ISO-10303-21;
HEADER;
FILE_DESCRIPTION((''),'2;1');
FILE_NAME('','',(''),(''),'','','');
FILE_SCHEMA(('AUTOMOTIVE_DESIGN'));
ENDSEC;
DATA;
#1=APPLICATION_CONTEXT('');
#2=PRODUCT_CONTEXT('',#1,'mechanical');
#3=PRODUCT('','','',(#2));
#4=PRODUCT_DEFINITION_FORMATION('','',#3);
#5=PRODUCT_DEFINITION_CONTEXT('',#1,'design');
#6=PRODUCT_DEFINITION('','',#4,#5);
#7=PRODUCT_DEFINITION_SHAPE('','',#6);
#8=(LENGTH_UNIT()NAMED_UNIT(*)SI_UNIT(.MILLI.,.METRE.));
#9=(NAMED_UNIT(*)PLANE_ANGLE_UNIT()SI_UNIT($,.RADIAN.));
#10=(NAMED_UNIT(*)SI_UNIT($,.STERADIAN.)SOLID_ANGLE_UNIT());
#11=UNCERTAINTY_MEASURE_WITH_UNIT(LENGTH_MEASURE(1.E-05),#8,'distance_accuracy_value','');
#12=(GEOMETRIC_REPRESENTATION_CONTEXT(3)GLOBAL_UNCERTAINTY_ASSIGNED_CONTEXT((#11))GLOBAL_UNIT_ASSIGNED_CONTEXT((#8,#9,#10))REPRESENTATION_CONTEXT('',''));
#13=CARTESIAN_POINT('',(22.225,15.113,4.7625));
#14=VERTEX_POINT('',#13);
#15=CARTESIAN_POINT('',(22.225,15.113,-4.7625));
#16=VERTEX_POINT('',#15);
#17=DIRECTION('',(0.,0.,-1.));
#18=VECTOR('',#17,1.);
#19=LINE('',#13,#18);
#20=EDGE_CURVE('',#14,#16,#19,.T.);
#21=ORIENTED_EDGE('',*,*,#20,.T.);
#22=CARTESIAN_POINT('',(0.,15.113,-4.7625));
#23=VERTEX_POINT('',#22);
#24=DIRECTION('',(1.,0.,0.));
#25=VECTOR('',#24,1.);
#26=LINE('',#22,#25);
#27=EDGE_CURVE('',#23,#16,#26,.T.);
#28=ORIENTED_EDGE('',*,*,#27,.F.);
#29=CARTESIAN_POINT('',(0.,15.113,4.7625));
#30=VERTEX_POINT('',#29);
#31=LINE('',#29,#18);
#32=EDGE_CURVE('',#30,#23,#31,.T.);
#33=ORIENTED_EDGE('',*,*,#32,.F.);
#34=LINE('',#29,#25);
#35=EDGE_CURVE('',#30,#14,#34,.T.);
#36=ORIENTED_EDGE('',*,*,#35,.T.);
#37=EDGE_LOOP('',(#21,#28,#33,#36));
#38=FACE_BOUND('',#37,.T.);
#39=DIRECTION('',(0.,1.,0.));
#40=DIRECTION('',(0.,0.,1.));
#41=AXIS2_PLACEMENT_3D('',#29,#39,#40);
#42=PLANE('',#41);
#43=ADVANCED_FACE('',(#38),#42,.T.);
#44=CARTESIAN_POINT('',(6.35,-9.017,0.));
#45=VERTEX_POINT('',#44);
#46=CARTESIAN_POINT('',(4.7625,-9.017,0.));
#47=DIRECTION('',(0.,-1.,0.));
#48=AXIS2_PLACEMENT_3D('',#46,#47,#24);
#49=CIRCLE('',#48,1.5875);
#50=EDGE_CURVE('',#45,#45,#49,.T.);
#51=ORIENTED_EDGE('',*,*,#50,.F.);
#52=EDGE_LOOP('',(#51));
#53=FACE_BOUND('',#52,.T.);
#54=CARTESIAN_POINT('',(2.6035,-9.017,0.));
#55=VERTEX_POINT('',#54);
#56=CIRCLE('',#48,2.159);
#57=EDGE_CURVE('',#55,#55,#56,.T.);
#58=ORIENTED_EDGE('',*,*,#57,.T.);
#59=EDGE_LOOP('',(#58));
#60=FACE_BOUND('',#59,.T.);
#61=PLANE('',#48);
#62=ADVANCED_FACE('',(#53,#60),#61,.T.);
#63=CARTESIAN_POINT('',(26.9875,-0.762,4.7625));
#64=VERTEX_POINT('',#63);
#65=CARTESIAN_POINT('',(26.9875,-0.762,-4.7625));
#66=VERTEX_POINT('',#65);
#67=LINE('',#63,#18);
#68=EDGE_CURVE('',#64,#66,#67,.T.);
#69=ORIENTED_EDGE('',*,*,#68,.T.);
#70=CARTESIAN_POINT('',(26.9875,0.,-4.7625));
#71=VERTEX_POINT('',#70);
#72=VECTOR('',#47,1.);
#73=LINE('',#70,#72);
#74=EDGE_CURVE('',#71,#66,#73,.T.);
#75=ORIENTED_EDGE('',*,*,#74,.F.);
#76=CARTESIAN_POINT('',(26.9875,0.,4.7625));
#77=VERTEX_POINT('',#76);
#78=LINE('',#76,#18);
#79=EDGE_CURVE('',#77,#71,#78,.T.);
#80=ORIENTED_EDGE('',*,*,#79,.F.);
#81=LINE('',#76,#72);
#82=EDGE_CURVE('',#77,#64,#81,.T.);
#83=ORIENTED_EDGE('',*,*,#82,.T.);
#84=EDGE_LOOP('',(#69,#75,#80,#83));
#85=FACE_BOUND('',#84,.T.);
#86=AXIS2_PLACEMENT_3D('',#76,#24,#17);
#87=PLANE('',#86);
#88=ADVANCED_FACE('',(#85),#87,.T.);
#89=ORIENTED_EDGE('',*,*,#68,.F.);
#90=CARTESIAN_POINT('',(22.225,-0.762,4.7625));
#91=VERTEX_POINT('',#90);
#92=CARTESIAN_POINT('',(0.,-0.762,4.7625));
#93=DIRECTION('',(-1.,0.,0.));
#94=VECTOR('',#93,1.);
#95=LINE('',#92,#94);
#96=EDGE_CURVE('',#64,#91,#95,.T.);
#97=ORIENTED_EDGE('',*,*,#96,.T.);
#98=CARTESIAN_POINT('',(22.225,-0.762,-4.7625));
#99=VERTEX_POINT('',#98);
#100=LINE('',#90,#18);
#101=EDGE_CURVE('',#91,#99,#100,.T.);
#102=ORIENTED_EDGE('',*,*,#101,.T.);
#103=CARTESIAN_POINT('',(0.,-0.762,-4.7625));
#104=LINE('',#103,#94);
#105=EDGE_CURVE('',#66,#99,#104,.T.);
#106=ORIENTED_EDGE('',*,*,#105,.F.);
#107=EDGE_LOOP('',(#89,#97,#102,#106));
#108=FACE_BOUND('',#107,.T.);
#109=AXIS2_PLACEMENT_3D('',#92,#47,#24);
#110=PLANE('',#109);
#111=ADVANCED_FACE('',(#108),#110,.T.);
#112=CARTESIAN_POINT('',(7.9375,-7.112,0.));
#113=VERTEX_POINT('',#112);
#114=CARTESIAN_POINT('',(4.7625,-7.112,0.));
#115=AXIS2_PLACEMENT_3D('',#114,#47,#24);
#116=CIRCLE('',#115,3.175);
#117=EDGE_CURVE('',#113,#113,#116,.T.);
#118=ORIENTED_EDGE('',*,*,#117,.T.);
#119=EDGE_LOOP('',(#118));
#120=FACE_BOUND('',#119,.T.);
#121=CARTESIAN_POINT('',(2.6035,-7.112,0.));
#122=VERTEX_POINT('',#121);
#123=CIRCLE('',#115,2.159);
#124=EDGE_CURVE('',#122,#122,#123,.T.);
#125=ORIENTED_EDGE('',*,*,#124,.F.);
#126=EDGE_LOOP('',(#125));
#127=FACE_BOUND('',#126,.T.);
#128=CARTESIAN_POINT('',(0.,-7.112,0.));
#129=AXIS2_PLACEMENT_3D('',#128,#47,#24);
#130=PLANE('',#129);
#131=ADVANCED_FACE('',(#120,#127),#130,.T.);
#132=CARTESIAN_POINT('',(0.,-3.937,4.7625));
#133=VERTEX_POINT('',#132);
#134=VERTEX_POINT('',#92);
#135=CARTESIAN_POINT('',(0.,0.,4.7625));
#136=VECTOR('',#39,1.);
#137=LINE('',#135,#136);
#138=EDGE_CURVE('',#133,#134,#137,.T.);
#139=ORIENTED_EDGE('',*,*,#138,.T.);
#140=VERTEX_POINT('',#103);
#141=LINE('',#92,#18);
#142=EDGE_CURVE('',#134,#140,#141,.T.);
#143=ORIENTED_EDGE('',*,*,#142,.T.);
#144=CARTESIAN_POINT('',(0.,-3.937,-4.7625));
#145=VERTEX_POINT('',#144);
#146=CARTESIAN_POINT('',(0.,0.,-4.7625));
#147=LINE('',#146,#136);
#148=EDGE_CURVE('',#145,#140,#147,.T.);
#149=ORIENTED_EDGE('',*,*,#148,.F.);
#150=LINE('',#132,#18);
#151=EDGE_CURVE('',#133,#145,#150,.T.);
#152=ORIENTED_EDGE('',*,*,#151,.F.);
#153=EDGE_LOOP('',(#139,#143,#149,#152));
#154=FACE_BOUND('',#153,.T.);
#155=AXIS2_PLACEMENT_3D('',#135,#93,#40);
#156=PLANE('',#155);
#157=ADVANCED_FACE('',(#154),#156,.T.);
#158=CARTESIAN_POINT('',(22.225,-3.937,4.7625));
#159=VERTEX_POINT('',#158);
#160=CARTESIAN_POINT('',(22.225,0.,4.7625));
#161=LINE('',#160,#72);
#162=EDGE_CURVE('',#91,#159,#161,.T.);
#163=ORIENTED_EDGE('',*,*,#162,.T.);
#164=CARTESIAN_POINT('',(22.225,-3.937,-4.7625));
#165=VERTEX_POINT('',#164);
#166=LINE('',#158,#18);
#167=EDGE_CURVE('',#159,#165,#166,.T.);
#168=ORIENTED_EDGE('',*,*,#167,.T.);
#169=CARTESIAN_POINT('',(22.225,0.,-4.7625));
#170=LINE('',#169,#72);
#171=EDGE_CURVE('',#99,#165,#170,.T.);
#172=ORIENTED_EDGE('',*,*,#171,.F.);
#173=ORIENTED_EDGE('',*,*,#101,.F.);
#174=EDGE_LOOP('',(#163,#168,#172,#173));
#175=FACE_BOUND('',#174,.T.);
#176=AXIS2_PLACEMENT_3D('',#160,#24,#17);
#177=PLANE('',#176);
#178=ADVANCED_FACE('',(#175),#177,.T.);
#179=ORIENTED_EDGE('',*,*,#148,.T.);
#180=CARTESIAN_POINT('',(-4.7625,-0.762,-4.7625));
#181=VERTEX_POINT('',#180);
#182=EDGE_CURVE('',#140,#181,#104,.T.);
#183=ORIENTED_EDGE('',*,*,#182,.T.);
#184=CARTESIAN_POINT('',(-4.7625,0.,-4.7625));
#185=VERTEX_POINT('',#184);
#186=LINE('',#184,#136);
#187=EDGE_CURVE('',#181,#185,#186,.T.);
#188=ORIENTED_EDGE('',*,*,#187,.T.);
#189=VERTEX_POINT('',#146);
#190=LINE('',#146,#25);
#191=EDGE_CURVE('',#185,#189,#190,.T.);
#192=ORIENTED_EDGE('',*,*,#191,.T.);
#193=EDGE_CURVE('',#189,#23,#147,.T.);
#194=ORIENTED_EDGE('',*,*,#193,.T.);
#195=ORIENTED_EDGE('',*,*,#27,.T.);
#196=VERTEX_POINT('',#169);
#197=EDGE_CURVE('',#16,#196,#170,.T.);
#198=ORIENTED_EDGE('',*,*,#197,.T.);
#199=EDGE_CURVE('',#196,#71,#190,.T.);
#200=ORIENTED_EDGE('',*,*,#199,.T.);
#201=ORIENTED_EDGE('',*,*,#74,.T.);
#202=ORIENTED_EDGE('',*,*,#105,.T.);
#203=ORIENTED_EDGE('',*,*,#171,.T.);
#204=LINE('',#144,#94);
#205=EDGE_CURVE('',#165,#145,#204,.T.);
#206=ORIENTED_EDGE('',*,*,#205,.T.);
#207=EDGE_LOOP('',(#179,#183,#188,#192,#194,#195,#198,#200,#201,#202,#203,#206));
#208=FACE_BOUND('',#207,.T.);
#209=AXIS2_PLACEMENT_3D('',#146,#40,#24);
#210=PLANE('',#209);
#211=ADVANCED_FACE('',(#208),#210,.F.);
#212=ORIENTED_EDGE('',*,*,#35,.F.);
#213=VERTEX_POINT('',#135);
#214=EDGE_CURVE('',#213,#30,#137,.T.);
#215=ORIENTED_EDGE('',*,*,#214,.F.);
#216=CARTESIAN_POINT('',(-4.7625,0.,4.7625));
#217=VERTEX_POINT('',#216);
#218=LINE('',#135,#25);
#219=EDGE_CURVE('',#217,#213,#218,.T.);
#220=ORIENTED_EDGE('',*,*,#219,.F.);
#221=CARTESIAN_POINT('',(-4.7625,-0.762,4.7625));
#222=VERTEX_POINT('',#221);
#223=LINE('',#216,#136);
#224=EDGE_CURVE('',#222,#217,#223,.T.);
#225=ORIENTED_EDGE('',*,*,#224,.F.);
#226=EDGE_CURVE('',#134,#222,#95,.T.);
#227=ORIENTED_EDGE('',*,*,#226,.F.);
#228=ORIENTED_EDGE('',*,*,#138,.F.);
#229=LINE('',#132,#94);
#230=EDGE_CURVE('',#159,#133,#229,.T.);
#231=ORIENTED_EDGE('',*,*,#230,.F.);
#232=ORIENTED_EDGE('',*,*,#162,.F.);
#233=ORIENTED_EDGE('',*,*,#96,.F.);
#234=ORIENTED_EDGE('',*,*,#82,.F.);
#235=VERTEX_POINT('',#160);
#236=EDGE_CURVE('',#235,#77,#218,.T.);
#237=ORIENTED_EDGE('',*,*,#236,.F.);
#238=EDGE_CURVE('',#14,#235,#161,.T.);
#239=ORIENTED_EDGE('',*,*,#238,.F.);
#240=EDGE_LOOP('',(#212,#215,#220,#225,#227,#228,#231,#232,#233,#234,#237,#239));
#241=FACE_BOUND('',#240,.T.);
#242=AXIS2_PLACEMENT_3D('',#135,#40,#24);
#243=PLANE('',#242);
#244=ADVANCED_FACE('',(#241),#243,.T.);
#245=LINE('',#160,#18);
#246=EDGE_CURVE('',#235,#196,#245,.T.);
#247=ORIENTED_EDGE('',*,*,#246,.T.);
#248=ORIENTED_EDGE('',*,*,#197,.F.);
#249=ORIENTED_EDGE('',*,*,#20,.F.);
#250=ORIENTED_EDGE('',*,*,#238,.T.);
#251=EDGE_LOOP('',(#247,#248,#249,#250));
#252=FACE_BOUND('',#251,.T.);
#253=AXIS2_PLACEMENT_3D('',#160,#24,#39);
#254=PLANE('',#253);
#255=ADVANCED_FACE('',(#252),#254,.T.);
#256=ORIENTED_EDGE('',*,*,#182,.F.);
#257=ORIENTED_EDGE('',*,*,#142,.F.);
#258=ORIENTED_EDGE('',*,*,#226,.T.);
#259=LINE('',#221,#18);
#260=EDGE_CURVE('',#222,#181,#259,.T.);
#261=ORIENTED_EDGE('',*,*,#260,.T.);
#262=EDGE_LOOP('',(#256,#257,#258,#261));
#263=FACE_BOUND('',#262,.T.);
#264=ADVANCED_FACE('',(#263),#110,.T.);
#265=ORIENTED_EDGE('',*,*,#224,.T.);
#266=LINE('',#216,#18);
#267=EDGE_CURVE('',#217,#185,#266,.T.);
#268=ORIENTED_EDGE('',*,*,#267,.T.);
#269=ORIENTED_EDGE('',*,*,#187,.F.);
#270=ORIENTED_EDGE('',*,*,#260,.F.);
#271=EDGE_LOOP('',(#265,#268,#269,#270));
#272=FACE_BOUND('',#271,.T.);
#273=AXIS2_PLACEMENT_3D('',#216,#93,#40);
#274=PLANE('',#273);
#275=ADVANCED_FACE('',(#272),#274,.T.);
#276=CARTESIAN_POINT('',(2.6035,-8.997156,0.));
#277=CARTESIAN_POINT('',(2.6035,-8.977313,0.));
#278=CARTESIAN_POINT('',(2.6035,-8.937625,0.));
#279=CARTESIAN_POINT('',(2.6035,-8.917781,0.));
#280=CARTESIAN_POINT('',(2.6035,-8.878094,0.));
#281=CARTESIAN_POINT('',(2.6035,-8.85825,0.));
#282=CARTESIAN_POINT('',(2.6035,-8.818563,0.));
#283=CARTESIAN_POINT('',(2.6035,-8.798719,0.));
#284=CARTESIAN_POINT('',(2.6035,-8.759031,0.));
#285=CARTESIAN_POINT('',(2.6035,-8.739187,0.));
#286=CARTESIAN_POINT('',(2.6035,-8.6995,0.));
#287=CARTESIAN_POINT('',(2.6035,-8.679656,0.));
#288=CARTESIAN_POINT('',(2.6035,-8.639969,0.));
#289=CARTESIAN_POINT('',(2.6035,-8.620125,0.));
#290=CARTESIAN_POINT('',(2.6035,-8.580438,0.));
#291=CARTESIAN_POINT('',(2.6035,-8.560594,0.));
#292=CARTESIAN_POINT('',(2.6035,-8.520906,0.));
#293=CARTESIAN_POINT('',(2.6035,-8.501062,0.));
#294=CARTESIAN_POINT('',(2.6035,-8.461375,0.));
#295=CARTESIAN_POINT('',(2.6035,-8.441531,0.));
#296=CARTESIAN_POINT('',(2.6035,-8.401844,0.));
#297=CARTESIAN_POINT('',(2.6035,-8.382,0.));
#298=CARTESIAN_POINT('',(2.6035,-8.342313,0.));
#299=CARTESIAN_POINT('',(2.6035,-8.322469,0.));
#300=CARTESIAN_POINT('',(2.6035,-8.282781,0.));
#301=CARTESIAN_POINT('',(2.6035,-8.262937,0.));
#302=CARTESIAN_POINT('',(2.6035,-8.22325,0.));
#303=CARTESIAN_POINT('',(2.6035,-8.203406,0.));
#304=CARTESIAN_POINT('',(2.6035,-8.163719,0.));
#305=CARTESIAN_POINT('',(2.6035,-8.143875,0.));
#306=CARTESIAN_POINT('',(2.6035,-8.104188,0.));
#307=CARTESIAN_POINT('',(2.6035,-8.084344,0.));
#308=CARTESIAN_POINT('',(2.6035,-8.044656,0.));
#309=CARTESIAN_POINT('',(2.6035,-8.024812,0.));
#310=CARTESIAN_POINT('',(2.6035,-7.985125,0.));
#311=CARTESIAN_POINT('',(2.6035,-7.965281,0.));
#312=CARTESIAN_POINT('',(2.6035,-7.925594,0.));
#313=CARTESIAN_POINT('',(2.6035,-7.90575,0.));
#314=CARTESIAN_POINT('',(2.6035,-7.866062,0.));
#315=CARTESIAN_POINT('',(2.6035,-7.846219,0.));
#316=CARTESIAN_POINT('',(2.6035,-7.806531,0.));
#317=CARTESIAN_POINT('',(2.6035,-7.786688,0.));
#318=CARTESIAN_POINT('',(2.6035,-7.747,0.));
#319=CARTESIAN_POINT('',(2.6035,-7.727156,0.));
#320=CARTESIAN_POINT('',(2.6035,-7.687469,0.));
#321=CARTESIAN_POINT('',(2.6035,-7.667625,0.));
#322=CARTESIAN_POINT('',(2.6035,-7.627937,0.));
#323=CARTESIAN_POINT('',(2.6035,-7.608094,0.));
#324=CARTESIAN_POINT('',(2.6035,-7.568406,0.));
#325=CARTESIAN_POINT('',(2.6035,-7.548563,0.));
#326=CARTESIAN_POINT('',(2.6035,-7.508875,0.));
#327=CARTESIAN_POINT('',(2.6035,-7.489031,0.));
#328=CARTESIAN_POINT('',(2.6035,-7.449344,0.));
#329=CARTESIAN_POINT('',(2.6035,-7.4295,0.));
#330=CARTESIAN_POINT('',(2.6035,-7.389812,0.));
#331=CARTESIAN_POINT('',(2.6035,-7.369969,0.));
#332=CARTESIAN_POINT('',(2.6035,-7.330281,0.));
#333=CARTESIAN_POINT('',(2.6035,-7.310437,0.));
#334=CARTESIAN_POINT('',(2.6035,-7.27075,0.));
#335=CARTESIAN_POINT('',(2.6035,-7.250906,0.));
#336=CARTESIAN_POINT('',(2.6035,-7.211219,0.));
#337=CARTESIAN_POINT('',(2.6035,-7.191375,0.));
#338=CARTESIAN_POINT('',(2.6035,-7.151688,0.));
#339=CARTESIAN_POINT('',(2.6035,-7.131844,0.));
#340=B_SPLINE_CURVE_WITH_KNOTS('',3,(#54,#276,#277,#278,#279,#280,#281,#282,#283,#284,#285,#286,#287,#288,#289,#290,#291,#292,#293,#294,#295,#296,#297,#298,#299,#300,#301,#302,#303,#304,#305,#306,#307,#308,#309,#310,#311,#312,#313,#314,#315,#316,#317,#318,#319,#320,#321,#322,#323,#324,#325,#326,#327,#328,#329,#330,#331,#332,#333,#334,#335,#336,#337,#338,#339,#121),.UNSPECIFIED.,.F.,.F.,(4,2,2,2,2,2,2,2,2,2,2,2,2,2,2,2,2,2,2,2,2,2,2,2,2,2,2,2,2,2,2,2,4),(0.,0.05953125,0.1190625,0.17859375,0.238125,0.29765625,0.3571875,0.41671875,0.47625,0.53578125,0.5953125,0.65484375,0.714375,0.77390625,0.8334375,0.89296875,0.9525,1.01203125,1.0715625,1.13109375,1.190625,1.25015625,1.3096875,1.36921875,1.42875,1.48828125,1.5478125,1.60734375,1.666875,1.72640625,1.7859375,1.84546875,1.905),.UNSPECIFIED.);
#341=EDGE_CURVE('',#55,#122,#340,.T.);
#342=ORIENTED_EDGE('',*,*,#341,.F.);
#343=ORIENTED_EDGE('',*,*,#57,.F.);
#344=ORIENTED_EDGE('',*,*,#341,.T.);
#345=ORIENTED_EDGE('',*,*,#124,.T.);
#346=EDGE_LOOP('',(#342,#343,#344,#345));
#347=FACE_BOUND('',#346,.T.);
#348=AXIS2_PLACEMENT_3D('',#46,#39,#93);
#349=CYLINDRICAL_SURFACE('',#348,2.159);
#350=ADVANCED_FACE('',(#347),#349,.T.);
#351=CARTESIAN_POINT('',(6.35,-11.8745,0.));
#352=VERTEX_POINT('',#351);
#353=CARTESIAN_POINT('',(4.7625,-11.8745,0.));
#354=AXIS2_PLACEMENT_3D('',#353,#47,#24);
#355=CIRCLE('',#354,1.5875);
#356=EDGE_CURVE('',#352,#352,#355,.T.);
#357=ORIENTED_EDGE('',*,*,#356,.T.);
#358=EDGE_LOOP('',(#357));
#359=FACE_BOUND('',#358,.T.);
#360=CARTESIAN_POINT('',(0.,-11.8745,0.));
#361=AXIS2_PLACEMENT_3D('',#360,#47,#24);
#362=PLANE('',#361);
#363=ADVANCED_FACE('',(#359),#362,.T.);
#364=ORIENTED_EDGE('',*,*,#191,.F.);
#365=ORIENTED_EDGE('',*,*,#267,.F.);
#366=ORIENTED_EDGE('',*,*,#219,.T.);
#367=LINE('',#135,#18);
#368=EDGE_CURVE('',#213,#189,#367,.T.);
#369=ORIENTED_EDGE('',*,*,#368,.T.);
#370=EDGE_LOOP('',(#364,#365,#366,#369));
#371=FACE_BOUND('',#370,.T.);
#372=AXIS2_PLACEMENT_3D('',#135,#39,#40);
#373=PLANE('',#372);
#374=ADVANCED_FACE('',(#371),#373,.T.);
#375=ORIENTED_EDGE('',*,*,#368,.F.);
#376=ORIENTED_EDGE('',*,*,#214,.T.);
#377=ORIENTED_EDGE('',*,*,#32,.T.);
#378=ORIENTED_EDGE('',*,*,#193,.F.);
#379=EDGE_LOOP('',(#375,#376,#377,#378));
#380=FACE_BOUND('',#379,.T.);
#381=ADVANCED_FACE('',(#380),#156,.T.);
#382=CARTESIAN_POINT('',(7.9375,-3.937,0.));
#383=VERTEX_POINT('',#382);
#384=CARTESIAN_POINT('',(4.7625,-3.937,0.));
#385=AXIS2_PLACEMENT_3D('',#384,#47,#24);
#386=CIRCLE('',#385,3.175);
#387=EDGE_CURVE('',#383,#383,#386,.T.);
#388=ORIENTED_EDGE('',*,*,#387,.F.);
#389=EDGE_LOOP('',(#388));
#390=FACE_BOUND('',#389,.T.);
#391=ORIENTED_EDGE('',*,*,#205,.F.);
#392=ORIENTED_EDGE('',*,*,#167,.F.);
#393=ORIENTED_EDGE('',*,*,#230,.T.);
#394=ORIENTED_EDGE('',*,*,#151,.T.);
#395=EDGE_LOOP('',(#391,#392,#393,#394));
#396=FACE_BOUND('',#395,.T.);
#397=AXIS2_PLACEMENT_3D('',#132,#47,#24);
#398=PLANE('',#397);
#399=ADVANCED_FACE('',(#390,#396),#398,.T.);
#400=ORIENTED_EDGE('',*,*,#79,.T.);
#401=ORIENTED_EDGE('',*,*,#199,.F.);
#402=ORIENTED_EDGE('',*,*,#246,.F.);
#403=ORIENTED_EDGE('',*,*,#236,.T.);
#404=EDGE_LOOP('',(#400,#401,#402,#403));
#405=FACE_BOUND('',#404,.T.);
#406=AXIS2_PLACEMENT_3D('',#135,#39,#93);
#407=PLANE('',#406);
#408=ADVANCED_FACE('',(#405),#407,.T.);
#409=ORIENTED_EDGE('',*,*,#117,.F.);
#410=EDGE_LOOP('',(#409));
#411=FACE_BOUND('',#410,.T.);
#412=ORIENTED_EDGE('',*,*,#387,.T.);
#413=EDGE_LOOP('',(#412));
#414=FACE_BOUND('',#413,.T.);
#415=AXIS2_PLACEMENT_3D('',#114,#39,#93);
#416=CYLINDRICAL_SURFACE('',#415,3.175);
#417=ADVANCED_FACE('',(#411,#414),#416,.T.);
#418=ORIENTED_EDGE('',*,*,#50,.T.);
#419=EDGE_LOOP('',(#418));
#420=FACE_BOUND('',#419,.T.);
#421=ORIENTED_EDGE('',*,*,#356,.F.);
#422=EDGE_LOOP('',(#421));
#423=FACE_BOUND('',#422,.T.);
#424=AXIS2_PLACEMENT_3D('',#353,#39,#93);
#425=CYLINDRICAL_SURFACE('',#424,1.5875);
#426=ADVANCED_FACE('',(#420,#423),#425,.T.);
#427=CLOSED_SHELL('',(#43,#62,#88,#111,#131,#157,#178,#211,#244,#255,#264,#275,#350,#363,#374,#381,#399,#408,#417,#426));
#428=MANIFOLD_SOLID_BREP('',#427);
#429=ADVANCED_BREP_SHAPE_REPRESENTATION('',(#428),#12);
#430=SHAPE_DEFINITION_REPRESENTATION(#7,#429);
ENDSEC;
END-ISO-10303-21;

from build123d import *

# Parameters (mm, degrees)
BOSS_EXTRUDE1_DEPTH = 4.7625
SKETCH2_R           = 3.175
SKETCH2_R_2         = 1.5875
BOSS_EXTRUDE3_DEPTH = 3.175
SKETCH2_4_R         = 1.5875
BOSS_EXTRUDE4_DEPTH = 7.9375
SKETCH4_R           = 2.159
BOSS_EXTRUDE5_DEPTH = 1.905


with BuildPart() as part:
    # Sketch1 → Boss-Extrude1 (new, symmetric)
    with BuildSketch(Plane.XY):
        Polygon((0, 15.113), (0, 0), (-4.7625, 0), (-4.7625, -0.762), (0, -0.762), (0, -3.937), (1.5875, -3.937), (7.9375, -3.937), (22.225, -3.937), (22.225, -0.762), (26.9875, -0.762), (26.9875, 0), (22.225, 0), (22.225, 15.113), align=None)
    extrude(amount=BOSS_EXTRUDE1_DEPTH, both=True)

    # Sketch2 → Boss-Extrude3 (add)
    with BuildSketch(Plane.XZ.offset(3.937)):
        with Locations((4.7625, 0)):
            Circle(SKETCH2_R)
        with Locations((4.7625, 0)):
            Circle(SKETCH2_R_2, mode=Mode.SUBTRACT)
    extrude(amount=BOSS_EXTRUDE3_DEPTH)

    # Sketch2<4> → Boss-Extrude4 (add)
    with BuildSketch(Plane.XZ.offset(3.937)):
        with Locations((4.7625, 0)):
            Circle(SKETCH2_4_R)
    extrude(amount=BOSS_EXTRUDE4_DEPTH)

    # Sketch4 → Boss-Extrude5 (add)
    with BuildSketch(Plane.XZ.offset(7.112)):
        with Locations((4.7625, 0)):
            Circle(SKETCH4_R)
    extrude(amount=BOSS_EXTRUDE5_DEPTH)


solid = part.part
